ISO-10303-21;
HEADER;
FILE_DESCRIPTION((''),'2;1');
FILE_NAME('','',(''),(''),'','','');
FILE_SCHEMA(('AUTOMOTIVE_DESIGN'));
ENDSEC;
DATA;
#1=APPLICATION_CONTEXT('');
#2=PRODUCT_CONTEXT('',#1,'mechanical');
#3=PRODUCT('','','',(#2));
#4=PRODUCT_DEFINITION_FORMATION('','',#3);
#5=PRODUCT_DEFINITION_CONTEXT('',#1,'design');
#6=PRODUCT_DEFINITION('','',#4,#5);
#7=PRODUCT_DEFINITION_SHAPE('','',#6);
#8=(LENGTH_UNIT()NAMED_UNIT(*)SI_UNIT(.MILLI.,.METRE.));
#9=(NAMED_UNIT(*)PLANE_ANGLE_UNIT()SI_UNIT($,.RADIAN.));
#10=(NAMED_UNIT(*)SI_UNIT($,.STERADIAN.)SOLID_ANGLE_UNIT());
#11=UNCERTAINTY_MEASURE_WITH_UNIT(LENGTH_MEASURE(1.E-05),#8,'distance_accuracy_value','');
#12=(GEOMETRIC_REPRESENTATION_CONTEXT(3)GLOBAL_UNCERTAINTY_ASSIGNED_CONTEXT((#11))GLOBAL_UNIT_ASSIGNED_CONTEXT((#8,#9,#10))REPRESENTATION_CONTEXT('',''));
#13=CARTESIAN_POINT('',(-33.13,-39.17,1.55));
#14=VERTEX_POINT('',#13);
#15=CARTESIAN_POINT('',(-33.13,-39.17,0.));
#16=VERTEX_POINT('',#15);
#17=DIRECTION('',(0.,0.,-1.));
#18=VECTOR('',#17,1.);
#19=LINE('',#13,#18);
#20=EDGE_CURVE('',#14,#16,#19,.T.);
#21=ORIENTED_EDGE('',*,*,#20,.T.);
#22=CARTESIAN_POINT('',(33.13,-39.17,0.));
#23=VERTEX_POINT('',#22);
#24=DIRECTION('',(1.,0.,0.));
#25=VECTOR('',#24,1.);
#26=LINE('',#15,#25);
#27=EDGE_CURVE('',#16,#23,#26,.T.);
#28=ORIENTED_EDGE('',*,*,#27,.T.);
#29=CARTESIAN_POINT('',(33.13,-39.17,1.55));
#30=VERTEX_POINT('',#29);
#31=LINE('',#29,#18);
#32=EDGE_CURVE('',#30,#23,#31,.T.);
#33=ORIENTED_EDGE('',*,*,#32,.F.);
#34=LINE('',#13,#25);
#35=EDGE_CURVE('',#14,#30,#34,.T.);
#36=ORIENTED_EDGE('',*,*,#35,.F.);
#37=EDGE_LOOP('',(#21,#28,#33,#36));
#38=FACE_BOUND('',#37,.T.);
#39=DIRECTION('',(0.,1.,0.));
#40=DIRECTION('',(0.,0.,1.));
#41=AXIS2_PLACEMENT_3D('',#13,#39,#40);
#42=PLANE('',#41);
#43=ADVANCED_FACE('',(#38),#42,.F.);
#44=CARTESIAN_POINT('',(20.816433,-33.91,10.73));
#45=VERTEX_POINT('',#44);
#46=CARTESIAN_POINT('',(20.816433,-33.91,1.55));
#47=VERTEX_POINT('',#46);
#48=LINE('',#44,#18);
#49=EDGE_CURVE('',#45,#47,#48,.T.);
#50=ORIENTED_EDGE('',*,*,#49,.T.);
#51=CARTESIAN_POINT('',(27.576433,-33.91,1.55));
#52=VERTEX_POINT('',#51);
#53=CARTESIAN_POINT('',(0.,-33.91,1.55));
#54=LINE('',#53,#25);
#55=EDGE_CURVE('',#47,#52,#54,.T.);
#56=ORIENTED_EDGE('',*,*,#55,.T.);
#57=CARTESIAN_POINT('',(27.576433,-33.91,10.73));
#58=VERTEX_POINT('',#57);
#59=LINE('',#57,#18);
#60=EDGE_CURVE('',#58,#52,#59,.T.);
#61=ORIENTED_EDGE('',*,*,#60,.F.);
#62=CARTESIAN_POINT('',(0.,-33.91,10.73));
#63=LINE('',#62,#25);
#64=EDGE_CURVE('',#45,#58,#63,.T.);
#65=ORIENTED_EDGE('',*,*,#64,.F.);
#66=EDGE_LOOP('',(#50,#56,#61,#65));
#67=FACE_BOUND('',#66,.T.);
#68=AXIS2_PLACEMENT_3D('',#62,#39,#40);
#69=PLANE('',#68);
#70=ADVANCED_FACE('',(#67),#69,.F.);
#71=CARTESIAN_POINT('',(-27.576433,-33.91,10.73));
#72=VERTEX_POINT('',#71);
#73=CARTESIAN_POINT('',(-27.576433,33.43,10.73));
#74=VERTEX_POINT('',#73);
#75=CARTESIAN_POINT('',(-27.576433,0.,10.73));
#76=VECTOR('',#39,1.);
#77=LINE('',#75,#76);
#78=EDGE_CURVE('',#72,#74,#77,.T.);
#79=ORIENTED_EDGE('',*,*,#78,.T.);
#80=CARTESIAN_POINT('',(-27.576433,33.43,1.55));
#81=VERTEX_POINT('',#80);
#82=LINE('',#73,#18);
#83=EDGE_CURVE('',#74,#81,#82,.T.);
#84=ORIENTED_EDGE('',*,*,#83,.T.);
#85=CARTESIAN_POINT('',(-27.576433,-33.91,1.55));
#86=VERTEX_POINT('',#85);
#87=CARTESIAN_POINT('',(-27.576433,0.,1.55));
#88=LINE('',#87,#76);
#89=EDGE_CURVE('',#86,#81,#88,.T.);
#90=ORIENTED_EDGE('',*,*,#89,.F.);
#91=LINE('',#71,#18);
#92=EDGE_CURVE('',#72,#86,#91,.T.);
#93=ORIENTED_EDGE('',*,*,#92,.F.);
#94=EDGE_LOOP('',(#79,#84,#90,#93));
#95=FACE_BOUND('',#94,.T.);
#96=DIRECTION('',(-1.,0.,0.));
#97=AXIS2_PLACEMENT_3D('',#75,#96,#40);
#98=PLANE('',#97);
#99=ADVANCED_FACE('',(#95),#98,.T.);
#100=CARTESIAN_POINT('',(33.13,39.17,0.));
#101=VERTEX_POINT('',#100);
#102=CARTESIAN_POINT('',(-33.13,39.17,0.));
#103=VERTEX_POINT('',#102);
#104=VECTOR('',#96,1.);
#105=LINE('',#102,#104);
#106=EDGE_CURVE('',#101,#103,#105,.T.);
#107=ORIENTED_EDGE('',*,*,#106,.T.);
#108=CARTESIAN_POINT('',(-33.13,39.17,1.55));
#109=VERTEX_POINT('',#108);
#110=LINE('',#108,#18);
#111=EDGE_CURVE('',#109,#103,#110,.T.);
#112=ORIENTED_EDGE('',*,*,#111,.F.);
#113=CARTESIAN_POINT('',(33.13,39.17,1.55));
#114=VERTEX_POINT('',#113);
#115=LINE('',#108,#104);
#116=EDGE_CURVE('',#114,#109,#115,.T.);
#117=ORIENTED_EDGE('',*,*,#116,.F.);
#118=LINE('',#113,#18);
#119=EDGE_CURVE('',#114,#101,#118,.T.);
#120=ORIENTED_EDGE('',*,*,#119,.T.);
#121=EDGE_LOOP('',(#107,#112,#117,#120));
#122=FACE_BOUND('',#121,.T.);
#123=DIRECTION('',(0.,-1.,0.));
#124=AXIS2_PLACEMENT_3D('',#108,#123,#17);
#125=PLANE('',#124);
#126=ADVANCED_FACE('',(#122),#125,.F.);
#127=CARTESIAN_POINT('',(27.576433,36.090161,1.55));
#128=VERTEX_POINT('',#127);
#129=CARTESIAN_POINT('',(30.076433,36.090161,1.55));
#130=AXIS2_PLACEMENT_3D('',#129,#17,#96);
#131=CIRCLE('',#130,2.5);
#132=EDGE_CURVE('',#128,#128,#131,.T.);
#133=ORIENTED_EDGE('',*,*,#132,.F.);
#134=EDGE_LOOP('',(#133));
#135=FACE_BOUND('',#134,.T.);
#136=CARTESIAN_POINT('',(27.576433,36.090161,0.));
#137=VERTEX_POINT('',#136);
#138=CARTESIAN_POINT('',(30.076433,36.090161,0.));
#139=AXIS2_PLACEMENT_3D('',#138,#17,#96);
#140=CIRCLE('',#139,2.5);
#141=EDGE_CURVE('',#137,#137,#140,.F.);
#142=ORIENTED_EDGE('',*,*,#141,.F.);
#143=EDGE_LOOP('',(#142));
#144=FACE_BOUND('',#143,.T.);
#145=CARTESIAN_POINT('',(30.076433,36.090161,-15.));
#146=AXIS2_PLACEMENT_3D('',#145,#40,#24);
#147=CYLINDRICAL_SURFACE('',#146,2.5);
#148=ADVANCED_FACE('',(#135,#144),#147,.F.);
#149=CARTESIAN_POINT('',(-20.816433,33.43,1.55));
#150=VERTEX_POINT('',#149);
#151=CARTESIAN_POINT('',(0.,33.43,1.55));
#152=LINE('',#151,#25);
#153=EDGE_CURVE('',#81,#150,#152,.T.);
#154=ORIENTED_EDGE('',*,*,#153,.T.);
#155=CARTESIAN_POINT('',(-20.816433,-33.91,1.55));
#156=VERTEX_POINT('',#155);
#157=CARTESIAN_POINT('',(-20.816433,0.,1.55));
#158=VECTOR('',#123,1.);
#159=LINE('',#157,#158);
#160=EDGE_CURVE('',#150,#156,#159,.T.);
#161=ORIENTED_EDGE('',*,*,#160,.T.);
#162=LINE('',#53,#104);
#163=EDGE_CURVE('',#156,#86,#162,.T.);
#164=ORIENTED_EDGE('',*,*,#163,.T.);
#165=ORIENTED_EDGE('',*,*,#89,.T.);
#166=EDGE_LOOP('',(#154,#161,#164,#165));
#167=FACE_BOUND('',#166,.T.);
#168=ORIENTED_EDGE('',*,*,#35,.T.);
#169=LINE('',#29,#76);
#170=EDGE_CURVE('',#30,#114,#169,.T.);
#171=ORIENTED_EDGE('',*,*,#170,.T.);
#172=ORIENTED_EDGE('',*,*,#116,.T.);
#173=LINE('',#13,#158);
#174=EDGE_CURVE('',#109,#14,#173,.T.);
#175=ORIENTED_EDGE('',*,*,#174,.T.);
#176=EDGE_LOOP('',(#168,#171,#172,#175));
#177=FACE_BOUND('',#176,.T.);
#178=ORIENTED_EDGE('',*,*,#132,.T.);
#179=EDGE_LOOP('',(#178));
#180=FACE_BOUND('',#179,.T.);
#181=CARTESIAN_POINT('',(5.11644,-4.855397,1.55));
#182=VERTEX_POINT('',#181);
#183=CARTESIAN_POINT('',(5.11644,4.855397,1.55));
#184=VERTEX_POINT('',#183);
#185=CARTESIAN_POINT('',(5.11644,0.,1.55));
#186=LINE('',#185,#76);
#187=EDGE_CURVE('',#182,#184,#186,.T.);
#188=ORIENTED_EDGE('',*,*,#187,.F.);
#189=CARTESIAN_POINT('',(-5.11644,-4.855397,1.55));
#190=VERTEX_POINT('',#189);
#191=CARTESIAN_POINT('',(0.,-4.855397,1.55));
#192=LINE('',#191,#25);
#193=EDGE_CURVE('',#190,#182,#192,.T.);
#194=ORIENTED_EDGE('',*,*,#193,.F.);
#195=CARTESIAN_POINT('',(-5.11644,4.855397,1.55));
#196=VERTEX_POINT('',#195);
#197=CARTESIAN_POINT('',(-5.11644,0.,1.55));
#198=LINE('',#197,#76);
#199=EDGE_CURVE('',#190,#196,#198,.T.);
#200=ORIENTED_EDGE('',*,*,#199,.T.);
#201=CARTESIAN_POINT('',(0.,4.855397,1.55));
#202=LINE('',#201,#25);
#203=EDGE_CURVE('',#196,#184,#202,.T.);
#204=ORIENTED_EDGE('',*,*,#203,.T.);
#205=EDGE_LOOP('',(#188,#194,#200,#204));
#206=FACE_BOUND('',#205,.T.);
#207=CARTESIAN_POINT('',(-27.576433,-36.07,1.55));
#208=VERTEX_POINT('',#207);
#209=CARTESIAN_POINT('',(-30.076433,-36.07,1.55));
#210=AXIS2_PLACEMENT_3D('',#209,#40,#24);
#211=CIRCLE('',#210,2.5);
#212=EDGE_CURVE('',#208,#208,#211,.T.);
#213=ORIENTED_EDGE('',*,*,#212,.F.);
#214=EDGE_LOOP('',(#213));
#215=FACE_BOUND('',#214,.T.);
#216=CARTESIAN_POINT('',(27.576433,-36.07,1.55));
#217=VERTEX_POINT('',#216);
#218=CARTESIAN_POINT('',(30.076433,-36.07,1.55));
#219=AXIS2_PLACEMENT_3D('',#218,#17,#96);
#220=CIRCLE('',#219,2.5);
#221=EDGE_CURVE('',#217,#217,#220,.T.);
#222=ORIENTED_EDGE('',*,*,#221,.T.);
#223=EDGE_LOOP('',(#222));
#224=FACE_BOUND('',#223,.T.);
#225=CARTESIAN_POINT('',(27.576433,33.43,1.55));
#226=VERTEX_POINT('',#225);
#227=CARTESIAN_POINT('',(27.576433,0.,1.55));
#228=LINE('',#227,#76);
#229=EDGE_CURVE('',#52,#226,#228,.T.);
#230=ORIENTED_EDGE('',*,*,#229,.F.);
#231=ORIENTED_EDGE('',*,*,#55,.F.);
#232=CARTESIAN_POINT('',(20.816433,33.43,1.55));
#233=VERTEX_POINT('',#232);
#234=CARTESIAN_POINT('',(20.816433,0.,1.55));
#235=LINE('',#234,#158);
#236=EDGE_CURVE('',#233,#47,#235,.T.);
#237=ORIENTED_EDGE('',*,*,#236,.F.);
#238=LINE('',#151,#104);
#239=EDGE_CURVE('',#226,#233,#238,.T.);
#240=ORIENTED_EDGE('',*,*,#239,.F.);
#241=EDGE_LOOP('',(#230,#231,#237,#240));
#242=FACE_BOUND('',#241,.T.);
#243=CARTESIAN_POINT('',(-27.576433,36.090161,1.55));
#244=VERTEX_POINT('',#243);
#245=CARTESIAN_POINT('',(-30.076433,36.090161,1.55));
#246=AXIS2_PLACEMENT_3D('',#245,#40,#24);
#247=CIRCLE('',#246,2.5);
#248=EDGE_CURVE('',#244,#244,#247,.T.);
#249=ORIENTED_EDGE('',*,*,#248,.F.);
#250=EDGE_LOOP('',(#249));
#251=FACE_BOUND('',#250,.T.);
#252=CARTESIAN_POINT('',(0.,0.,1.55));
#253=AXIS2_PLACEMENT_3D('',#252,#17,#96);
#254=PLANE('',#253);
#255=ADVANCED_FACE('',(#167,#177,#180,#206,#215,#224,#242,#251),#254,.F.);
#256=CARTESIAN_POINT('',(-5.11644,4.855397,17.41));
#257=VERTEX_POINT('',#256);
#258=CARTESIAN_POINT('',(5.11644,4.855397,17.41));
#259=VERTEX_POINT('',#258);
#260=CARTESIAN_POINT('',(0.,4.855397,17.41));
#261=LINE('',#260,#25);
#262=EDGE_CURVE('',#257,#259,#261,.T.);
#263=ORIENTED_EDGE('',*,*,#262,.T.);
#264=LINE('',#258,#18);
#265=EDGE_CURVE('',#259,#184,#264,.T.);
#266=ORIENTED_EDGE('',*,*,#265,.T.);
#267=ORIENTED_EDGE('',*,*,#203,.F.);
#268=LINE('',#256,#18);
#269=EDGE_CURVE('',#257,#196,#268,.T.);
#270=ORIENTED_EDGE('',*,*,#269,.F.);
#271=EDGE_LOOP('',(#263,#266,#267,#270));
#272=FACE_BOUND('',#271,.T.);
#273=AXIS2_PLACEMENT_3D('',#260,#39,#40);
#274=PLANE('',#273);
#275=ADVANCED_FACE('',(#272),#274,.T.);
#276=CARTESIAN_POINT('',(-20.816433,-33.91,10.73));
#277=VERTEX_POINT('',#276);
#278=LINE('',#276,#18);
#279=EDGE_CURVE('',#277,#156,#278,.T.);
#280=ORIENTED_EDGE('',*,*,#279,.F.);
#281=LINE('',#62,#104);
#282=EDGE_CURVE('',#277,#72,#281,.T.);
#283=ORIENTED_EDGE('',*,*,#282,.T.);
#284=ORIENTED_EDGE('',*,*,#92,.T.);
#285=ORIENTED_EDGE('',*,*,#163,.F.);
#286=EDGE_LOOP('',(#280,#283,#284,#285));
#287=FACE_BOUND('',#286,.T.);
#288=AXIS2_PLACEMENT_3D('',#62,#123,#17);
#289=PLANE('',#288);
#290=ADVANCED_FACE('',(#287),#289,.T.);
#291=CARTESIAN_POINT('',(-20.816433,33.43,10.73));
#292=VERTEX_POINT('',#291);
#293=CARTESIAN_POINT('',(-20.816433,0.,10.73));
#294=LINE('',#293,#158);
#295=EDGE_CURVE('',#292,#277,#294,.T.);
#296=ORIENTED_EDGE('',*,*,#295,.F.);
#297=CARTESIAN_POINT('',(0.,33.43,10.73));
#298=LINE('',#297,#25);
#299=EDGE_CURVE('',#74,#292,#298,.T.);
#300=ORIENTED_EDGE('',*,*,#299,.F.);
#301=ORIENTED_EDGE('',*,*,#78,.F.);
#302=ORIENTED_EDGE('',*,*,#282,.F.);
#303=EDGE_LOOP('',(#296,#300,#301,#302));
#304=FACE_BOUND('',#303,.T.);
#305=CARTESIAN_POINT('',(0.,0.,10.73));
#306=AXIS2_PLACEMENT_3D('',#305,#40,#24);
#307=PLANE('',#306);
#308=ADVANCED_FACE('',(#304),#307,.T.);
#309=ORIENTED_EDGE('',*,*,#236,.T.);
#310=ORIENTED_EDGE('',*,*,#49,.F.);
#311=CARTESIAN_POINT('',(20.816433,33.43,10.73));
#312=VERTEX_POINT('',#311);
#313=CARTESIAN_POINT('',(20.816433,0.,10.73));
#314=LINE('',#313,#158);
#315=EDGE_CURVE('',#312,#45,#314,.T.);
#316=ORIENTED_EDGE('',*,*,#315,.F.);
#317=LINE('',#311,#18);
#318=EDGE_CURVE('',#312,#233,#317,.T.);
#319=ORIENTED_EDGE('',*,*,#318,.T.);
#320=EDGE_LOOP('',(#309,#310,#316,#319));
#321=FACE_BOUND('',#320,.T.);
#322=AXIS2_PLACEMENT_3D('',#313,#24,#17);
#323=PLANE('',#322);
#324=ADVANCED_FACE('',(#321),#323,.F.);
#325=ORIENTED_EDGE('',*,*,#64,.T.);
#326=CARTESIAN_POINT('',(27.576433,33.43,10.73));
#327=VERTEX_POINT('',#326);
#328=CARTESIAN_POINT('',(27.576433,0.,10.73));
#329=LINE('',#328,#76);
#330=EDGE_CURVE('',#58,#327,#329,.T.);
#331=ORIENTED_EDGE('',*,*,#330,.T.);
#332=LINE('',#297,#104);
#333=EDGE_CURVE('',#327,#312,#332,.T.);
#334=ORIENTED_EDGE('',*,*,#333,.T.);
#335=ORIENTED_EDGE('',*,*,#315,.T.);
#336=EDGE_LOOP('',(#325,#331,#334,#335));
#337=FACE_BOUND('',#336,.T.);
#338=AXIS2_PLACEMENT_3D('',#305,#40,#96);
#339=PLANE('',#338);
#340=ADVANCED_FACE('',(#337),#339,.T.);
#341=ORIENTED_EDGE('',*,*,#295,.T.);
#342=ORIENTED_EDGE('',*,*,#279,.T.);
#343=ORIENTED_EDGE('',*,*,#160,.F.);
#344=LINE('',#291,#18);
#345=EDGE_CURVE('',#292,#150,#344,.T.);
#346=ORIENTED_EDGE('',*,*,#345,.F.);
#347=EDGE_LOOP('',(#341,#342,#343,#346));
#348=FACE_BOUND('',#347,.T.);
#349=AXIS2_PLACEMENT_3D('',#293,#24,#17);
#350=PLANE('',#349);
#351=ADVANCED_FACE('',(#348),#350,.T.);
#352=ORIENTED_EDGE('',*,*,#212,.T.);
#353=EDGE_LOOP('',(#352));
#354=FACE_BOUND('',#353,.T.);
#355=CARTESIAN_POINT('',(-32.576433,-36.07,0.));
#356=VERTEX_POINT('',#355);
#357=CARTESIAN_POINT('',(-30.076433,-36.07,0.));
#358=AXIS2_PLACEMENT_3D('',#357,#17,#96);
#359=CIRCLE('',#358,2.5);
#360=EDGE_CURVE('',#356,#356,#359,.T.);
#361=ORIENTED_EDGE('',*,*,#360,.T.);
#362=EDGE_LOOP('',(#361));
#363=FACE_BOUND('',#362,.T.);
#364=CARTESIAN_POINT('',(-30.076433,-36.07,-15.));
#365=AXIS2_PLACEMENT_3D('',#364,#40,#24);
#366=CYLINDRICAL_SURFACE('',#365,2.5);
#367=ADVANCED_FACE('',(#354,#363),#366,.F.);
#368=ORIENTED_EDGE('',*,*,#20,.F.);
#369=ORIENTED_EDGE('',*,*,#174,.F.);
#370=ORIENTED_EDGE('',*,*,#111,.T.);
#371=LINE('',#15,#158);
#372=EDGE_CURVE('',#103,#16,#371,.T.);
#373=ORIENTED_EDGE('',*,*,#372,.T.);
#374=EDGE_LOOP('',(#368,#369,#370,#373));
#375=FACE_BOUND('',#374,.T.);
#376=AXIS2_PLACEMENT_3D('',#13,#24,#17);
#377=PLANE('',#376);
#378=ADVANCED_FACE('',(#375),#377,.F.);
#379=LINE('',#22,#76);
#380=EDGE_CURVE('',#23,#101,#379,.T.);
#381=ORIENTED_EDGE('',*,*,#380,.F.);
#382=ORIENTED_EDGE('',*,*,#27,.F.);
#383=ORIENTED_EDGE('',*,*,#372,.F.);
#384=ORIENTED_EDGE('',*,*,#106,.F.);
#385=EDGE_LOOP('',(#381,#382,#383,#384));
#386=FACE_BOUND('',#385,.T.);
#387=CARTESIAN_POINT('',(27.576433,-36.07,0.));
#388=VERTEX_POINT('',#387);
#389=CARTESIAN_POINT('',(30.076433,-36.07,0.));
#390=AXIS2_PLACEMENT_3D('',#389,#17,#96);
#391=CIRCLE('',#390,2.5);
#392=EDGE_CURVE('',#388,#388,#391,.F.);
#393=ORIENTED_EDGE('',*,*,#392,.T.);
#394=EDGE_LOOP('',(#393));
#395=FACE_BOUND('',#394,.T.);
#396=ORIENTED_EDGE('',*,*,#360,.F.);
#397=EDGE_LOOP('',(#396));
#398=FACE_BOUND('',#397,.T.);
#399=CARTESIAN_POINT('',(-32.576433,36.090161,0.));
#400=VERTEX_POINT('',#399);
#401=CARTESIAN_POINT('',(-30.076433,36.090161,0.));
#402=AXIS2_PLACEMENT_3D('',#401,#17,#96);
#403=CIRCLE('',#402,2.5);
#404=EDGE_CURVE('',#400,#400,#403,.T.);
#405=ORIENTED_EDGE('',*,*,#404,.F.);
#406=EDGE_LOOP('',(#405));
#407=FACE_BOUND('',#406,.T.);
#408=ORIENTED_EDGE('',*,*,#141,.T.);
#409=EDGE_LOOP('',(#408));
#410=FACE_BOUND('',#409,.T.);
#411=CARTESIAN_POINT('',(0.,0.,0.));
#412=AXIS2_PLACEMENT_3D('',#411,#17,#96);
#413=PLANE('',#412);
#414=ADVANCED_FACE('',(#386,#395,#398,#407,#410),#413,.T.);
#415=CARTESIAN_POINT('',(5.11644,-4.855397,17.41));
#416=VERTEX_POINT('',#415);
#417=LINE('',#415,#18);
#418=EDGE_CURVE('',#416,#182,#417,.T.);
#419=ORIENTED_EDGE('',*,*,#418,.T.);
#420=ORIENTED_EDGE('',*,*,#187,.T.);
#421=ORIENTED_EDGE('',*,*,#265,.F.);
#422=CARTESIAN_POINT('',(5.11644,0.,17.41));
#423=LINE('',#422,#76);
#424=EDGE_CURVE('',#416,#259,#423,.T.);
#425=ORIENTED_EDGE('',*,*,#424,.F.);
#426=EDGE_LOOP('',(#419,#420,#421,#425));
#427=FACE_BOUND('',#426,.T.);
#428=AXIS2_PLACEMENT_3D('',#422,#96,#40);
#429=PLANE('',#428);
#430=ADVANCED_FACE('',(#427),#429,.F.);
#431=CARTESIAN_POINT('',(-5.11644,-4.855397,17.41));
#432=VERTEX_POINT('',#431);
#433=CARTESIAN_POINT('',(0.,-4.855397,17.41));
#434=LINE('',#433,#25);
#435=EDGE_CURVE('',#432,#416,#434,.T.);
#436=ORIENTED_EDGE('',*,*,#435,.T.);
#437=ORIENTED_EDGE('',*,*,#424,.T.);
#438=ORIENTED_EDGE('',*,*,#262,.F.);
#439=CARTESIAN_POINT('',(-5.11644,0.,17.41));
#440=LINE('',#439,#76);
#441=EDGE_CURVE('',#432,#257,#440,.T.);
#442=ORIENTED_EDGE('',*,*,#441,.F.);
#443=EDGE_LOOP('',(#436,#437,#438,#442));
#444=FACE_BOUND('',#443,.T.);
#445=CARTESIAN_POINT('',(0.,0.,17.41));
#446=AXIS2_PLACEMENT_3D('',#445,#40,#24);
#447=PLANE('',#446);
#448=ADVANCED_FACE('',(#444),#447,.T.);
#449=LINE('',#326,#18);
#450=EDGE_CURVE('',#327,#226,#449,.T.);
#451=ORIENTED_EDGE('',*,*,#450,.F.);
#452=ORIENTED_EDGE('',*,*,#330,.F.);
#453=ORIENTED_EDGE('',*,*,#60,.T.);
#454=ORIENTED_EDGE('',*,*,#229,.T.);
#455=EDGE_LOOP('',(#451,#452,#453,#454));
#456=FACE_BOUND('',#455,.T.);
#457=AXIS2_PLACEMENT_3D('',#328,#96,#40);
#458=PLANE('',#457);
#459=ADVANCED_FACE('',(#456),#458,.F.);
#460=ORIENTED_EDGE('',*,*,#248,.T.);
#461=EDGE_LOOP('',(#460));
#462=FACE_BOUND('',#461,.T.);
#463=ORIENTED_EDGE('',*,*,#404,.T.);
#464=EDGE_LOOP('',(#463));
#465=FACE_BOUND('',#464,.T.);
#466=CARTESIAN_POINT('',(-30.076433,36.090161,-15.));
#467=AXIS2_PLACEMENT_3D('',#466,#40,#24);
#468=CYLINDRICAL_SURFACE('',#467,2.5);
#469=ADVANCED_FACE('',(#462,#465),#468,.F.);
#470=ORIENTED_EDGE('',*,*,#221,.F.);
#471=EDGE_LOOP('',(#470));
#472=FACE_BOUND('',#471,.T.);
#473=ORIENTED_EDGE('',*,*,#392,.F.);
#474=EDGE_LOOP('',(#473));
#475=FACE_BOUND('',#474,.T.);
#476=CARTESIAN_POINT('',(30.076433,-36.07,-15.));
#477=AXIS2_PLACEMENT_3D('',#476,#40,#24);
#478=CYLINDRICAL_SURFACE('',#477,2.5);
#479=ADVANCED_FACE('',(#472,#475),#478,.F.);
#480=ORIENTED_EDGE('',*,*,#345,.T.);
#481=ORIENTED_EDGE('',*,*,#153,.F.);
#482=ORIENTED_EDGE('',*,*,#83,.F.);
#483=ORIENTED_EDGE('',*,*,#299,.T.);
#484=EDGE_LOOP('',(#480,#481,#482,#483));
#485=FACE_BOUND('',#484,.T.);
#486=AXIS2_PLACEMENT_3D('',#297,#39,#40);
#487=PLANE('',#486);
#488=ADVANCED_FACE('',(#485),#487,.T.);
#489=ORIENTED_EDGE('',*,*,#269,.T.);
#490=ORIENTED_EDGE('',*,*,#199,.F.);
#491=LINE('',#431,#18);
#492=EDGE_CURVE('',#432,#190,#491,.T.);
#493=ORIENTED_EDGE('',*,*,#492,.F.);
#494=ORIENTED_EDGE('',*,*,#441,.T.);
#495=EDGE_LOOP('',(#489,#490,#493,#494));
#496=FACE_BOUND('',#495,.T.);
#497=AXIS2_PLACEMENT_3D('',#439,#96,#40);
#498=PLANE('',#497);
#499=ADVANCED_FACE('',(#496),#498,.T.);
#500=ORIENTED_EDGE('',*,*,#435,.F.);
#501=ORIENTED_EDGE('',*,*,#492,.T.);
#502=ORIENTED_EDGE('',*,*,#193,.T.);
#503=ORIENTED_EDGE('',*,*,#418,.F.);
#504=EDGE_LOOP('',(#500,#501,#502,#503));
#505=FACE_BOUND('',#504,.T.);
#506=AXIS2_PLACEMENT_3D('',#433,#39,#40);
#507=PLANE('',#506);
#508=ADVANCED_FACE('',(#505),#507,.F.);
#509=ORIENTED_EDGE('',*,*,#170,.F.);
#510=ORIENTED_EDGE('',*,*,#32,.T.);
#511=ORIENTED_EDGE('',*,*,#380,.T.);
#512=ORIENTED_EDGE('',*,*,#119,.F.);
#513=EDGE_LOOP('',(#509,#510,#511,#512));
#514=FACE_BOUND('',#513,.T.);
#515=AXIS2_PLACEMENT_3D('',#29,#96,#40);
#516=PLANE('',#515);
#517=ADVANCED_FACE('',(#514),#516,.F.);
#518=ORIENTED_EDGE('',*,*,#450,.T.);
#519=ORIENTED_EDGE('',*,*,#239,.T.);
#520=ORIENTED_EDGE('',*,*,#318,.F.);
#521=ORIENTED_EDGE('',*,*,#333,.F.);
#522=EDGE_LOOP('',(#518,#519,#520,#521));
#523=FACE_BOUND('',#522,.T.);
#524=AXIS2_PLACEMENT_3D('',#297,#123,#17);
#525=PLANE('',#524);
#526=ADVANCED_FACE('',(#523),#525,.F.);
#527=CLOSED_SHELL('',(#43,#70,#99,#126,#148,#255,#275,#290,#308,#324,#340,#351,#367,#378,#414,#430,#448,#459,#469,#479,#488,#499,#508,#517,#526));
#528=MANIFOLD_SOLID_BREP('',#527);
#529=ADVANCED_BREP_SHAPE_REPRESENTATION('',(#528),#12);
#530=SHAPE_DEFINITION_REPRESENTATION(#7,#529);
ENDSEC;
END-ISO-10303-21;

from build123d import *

# Parameters (mm, degrees)
SKETCH1_W           = 66.26
SKETCH1_H           = 78.34
BOSS_EXTRUDE1_DEPTH = 1.55
SKETCH2_R           = 2.5
CUT_EXTRUDE1_DEPTH  = 16.55
SKETCH3_R           = 2.5
CUT_EXTRUDE2_DEPTH  = 16.55
SKETCH4_W           = 6.76
SKETCH4_H           = 67.34
BOSS_EXTRUDE2_DEPTH = 9.18
SKETCH7_W           = 10.2328791
SKETCH7_H           = 9.710793432
BOSS_EXTRUDE3_DEPTH = 15.86


with BuildPart() as part:
    # Sketch1 → Boss-Extrude1 (new body)
    with BuildSketch(Plane.XY):
        Rectangle(SKETCH1_W, SKETCH1_H)
    extrude(amount=BOSS_EXTRUDE1_DEPTH)

    # Sketch2 → Cut-Extrude1 (cut)
    with BuildSketch(Plane.XY.offset(1.55)):
        with Locations((-30.076432851, 36.090160922)):
            Circle(SKETCH2_R)
    cut_extrude1 = extrude(amount=-CUT_EXTRUDE1_DEPTH, mode=Mode.SUBTRACT)

    # Sketch3 → Cut-Extrude2 (cut)
    with BuildSketch(Plane.XY.offset(1.55)):
        with Locations((-30.076432851, -36.07)):
            Circle(SKETCH3_R)
    cut_extrude2 = extrude(amount=-CUT_EXTRUDE2_DEPTH, mode=Mode.SUBTRACT)

    # Mirror1: Cut-Extrude1, Cut-Extrude2 across plane
    add(cut_extrude1.mirror(Plane(origin=(0, 0, 0), x_dir=(0, 0, 1), z_dir=(1, 0, 0))), mode=Mode.SUBTRACT)
    add(cut_extrude2.mirror(Plane(origin=(0, 0, 0), x_dir=(0, 0, 1), z_dir=(1, 0, 0))), mode=Mode.SUBTRACT)

    # Sketch4 → Boss-Extrude2 (add)
    with BuildSketch(Plane.XY.offset(1.55)):
        with Locations((-24.196432851, -0.24)):
            Rectangle(SKETCH4_W, SKETCH4_H)
    boss_extrude2 = extrude(amount=BOSS_EXTRUDE2_DEPTH)

    # Mirror2: Boss-Extrude2 across plane
    add(boss_extrude2.mirror(Plane(origin=(0, 0, 0), x_dir=(0, 0, 1), z_dir=(1, 0, 0))))

    # Sketch7 → Boss-Extrude3 (add)
    with BuildSketch(Plane.XY.offset(1.55)):
        Rectangle(SKETCH7_W, SKETCH7_H)
    extrude(amount=BOSS_EXTRUDE3_DEPTH)


solid = part.part
